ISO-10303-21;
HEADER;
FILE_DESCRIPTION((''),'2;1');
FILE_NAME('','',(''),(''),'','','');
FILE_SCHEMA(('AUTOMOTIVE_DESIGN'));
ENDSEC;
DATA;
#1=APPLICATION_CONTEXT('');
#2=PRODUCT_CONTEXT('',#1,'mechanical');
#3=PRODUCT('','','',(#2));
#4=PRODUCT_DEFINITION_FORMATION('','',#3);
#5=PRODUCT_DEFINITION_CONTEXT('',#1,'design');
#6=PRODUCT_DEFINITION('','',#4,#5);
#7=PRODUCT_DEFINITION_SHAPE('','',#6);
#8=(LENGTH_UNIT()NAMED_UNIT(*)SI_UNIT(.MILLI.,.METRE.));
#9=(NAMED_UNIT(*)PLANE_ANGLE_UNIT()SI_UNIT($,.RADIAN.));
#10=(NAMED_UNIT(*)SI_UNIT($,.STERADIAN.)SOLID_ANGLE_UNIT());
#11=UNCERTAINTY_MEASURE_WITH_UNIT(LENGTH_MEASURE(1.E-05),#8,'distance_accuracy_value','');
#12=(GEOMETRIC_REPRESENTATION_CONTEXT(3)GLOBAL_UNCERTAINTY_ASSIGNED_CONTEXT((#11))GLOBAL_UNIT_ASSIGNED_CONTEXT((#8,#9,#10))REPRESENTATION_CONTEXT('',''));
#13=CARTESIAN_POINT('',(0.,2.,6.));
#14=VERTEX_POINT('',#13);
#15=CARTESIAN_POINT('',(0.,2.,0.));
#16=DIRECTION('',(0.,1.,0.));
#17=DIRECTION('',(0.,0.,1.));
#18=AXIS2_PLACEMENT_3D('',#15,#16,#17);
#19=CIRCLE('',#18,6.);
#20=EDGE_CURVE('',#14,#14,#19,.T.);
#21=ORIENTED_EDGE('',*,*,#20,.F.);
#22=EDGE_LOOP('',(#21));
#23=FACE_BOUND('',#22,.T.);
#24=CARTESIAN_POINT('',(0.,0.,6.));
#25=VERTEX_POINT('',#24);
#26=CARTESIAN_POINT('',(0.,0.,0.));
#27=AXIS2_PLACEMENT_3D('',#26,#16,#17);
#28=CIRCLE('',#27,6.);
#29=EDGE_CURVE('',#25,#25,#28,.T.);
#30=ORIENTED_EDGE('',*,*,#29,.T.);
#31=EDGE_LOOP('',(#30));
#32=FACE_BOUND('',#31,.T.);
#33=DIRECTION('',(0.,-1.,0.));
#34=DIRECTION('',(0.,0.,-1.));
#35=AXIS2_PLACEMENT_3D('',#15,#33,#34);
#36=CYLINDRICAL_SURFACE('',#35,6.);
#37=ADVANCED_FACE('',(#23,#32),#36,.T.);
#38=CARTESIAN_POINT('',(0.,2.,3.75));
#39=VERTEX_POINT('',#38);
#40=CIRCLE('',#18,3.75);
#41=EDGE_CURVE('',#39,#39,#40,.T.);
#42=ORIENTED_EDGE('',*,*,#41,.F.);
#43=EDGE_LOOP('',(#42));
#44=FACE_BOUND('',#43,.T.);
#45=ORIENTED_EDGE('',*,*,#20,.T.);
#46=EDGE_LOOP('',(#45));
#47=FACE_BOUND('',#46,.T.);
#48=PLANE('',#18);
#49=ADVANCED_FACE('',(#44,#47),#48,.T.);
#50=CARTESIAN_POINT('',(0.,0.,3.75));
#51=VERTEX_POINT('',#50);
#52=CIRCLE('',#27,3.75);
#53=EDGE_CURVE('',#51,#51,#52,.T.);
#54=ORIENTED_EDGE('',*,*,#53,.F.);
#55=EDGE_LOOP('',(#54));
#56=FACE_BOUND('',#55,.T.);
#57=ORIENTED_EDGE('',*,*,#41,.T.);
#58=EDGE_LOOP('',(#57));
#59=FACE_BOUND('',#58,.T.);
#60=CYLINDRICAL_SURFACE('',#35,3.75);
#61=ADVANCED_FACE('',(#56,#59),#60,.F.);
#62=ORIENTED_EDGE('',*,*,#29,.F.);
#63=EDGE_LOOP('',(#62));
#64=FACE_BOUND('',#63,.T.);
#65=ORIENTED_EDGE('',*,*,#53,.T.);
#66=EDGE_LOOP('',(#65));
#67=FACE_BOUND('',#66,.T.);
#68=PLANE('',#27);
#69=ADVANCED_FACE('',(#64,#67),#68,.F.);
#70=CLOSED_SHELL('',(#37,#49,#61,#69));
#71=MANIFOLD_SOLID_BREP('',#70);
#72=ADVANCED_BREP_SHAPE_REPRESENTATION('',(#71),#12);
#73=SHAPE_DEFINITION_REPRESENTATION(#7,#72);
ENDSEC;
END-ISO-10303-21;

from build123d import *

# Parameters (mm, degrees)
SKETCH1_R           = 6
SKETCH1_R_2         = 3.75
BOSS_EXTRUDE1_DEPTH = 2


with BuildPart() as part:
    # Sketch1 → Boss-Extrude1 (new body)
    with BuildSketch(Plane(origin=(0, 0, 0), x_dir=(1, 0, 0), z_dir=(0, 1, 0))):
        Circle(SKETCH1_R)
        Circle(SKETCH1_R_2, mode=Mode.SUBTRACT)
    extrude(amount=BOSS_EXTRUDE1_DEPTH)


solid = part.part
